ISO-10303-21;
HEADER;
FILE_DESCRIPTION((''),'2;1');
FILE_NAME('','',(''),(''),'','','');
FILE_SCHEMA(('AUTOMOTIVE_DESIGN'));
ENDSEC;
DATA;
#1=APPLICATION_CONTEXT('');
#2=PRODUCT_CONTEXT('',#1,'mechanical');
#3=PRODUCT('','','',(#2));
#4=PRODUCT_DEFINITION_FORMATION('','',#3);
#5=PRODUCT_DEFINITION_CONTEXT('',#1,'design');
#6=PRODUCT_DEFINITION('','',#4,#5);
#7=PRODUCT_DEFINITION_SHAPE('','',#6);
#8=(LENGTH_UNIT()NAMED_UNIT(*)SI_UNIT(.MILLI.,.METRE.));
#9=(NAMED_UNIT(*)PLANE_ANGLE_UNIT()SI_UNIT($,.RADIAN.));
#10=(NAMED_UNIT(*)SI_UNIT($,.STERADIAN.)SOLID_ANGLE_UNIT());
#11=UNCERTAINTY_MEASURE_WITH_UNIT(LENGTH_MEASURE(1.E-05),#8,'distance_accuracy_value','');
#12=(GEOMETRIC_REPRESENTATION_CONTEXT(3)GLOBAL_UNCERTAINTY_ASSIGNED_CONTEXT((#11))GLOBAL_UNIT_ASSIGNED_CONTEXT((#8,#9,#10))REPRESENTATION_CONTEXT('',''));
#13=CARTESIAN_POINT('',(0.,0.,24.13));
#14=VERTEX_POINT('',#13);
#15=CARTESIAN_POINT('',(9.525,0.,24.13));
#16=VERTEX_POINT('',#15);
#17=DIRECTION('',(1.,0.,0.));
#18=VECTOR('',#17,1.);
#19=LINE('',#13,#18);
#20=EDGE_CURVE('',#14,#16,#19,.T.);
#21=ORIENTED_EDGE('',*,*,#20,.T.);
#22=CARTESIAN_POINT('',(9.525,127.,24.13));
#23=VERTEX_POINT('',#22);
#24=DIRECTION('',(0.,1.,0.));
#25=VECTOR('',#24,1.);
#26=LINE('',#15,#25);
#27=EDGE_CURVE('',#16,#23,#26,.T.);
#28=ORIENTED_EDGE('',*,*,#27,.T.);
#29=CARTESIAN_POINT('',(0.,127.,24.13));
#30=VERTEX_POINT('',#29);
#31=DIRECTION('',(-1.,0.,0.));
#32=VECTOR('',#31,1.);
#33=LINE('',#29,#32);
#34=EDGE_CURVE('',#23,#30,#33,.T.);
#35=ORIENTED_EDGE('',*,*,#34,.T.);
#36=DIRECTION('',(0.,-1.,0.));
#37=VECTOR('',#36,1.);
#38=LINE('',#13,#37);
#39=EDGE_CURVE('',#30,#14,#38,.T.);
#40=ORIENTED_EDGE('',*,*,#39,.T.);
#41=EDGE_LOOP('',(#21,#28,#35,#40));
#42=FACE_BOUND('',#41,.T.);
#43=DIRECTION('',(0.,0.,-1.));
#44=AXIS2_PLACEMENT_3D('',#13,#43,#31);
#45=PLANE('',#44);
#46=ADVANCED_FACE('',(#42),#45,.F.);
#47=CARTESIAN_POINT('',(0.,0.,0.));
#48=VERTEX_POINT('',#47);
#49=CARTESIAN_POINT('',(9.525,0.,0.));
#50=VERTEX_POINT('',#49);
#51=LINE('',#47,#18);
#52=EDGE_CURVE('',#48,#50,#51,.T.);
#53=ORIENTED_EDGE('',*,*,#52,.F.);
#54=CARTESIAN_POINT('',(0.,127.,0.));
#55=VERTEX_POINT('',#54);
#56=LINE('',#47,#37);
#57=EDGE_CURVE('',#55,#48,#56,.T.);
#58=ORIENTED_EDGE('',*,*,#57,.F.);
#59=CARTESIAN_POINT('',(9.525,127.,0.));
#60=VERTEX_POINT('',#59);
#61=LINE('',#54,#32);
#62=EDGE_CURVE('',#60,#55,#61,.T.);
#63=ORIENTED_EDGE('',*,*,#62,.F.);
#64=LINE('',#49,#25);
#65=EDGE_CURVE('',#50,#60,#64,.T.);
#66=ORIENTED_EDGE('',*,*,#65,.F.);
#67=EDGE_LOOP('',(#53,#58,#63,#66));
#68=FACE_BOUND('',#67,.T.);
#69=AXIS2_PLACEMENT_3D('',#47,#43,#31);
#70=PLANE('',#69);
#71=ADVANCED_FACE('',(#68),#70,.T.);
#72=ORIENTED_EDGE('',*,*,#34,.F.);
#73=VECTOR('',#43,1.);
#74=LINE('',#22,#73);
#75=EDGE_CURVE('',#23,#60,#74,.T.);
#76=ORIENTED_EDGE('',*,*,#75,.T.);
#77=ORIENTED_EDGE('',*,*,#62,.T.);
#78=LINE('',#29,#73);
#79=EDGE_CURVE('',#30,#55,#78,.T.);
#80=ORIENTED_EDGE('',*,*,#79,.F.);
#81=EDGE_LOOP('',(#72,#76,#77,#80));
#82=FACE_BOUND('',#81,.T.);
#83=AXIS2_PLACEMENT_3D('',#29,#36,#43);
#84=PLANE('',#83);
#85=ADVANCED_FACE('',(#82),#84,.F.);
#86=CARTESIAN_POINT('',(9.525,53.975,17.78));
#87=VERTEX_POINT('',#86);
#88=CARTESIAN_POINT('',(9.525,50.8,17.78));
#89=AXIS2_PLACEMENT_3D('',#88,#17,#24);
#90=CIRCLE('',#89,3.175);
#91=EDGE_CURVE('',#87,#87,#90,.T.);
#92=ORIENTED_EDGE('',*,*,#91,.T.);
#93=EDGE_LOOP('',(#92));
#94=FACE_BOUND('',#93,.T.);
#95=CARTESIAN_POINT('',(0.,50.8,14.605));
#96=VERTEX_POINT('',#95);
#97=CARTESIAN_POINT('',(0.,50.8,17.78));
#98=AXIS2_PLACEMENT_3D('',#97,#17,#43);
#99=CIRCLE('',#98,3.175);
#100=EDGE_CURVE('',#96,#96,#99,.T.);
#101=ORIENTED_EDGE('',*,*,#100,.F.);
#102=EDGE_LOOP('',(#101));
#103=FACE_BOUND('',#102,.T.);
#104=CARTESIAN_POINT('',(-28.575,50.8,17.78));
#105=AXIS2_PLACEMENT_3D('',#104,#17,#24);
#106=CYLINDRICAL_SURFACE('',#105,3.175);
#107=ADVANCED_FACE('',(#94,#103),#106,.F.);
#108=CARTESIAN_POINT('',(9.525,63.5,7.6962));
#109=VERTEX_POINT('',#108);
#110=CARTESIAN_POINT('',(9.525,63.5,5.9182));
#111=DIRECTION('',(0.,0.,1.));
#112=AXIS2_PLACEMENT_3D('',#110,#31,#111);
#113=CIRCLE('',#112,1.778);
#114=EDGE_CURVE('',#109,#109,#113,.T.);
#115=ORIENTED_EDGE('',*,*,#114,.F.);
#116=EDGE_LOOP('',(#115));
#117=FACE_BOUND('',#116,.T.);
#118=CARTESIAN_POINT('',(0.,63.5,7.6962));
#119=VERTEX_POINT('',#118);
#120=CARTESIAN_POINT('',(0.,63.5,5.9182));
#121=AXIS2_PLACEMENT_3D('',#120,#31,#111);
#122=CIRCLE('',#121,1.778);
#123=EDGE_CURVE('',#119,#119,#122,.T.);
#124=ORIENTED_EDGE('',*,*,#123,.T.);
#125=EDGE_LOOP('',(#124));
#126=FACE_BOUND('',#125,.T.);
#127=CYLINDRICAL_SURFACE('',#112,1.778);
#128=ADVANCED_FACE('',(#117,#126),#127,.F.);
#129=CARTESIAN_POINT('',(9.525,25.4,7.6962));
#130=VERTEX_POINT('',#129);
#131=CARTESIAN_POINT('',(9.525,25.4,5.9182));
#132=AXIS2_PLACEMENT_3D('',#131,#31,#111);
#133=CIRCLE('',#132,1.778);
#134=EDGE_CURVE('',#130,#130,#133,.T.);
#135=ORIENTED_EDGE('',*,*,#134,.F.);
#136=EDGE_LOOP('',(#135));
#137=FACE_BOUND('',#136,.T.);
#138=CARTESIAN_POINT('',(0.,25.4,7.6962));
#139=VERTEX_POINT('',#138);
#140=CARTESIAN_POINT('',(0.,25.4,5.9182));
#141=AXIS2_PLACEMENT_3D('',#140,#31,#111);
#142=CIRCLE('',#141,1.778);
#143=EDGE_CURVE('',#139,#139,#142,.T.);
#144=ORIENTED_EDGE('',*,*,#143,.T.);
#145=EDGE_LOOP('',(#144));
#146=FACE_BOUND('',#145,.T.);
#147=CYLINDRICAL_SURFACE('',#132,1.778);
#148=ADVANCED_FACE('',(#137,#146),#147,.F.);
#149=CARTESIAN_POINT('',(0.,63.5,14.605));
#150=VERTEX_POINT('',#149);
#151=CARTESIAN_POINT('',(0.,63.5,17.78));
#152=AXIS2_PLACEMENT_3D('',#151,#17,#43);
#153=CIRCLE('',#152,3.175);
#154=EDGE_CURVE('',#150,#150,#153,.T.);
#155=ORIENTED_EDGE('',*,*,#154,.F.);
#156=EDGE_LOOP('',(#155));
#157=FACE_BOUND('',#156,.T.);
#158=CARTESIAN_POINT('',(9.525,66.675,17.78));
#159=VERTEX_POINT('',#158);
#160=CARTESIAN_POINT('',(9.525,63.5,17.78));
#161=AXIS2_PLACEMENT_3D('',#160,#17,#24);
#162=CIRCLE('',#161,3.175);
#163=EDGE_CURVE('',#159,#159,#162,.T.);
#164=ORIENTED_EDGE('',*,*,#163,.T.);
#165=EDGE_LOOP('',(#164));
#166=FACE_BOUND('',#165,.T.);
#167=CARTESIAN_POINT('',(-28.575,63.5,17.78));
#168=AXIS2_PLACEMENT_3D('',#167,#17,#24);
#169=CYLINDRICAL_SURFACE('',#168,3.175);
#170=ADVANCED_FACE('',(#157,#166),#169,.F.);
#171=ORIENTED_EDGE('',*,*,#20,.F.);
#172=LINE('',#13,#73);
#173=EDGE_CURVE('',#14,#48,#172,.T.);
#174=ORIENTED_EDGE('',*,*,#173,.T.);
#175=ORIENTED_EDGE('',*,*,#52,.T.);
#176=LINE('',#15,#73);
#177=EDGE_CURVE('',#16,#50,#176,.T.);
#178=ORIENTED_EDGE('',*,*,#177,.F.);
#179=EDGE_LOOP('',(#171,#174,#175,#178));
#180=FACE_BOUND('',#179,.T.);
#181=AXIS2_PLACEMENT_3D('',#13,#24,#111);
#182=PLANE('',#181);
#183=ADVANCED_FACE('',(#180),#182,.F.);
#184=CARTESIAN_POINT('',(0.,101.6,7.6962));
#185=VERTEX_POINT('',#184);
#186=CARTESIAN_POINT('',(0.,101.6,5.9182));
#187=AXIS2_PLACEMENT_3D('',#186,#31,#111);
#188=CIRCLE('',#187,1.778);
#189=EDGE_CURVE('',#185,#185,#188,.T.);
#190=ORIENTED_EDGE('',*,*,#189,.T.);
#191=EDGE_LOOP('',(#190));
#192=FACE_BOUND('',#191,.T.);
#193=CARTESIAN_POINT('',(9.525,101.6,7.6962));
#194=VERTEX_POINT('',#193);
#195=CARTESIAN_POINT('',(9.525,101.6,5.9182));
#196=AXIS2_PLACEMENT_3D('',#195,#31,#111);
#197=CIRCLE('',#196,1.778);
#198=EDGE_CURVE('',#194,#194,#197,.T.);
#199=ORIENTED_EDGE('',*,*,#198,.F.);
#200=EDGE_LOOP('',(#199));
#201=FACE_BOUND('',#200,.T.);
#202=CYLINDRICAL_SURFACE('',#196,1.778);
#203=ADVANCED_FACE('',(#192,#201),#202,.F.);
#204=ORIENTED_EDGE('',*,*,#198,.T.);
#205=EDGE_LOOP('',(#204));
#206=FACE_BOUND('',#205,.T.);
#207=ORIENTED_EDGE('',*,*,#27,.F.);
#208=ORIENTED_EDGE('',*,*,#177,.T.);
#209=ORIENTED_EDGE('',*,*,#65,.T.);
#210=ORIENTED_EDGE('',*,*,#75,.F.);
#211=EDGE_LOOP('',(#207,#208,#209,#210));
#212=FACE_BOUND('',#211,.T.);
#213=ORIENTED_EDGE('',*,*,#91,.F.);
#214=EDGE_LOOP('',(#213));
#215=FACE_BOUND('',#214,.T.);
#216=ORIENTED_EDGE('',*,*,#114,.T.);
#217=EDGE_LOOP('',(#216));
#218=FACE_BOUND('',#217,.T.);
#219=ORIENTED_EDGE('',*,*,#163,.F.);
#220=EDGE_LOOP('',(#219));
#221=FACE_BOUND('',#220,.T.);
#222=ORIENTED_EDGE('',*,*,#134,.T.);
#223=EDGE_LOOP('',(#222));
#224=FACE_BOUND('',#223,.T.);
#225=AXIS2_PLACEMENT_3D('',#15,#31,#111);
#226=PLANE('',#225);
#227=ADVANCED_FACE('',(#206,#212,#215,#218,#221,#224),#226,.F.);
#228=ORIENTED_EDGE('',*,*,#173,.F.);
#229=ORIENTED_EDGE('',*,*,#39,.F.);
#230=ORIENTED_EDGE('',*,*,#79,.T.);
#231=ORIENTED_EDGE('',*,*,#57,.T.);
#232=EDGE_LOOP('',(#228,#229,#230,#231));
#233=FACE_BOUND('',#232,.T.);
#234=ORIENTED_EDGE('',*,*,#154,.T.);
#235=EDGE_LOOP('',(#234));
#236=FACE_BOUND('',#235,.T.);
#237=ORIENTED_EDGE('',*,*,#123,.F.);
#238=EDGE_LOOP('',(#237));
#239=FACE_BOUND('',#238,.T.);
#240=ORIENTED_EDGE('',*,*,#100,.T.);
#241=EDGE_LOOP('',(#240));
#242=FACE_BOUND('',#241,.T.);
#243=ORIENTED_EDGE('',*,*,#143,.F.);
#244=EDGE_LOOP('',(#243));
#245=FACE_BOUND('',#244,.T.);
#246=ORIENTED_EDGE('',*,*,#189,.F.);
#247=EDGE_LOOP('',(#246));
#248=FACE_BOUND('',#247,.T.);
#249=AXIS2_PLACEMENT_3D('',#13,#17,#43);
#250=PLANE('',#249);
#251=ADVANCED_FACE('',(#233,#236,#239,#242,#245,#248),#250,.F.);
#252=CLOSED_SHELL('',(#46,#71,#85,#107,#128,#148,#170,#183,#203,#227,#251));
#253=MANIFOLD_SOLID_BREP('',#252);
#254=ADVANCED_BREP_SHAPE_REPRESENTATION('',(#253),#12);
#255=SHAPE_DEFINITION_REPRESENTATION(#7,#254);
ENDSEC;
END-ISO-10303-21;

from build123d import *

# Parameters (mm, degrees)
SKETCH1_W           = 9.525
SKETCH1_H           = 127
BOSS_EXTRUDE1_DEPTH = 24.13
SKETCH2_R           = 1.778
CUT_EXTRUDE1_DEPTH  = 10.525
SKETCH3_R           = 3.175
CUT_EXTRUDE2_DEPTH  = 38.1


with BuildPart() as part:
    # Sketch1 → Boss-Extrude1 (new body)
    with BuildSketch(Plane.XY):
        with Locations((4.7625, 63.5)):
            Rectangle(SKETCH1_W, SKETCH1_H)
    extrude(amount=BOSS_EXTRUDE1_DEPTH)

    # Sketch2 → Cut-Extrude1 (cut, through all)
    with BuildSketch(Plane.ZY):
        with Locations((5.9182, 101.6)):
            Circle(SKETCH2_R)
        with Locations((5.9182, 63.5)):
            Circle(SKETCH2_R)
        with Locations((5.9182, 25.4)):
            Circle(SKETCH2_R)
    extrude(amount=-CUT_EXTRUDE1_DEPTH, mode=Mode.SUBTRACT)

    # Sketch3 → Cut-Extrude2 (cut)
    with BuildSketch(Plane(origin=(9.525, 0, 0), x_dir=(0, 0, -1), z_dir=(1, 0, 0))):
        with Locations((-17.78, 63.5)):
            Circle(SKETCH3_R)
        with Locations((-17.78, 50.8)):
            Circle(SKETCH3_R)
    extrude(amount=-CUT_EXTRUDE2_DEPTH, mode=Mode.SUBTRACT)


solid = part.part
